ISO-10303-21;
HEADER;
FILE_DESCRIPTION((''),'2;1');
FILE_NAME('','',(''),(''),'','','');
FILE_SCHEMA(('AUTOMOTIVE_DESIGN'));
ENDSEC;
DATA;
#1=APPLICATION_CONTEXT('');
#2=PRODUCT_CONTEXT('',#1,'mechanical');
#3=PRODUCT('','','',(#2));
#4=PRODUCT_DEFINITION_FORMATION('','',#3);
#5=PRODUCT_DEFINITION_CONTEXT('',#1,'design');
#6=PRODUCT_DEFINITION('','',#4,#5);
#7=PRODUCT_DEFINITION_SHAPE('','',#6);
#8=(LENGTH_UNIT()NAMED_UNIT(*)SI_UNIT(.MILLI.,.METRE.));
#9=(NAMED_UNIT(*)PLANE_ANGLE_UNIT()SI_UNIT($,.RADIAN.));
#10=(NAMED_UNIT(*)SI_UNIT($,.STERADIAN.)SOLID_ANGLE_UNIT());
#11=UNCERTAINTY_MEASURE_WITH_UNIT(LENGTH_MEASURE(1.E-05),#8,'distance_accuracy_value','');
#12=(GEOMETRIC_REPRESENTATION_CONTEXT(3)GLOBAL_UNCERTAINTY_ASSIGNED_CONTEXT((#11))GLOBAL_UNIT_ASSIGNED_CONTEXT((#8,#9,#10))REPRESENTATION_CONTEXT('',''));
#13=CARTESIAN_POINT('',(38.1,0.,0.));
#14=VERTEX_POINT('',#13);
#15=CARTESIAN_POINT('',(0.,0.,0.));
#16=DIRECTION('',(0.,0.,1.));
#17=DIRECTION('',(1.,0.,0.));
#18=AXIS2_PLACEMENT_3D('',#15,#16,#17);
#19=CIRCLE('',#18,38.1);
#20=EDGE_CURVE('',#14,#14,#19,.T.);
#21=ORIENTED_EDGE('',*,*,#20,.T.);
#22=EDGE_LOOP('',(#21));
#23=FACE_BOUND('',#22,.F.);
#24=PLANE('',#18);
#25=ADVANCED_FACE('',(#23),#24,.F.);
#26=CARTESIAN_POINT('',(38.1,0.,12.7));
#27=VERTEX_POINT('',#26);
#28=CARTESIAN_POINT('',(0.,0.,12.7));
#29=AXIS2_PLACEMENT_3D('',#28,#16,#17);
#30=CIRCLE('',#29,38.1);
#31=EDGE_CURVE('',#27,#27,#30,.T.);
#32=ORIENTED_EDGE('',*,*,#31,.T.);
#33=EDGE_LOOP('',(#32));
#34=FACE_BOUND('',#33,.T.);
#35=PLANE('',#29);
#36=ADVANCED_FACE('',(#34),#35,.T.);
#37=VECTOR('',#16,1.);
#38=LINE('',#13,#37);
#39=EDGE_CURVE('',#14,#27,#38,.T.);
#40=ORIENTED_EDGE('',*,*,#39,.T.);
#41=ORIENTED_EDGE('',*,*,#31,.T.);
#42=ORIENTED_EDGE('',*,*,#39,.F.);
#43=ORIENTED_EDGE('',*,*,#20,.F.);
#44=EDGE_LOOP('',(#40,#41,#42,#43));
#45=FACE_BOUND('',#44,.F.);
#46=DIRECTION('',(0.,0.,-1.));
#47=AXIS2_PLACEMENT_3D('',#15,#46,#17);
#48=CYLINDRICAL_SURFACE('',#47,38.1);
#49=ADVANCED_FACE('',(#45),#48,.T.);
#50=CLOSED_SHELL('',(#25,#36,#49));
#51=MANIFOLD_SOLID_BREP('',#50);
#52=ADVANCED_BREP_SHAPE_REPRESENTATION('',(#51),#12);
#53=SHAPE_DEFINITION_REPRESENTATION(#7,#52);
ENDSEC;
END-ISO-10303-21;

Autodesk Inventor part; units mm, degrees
ref_plane "YZ Plane" through (0, 0, 0) normal (1, 0, 0) x (0, 1, 0)
ref_plane "XZ Plane" through (0, 0, 0) normal (0, 1, 0) x (-1, 0, 0)
ref_plane "XY Plane" through (0, 0, 0) normal (0, 0, 1) x (1, 0, 0)
ref_plane "Work Plane1" through (0, 0, 0) normal (0, 0, 1) x (1, 0, 0)
sketch "Sketch1" plane through (0, 0, 0) normal (0, 0, 1) x (1, 0, 0)
  circle A0 centre (0, 0) radius 38.1
  dimension "d0" = 76.2
extrude "Extrusion1" add sketch "Sketch1" along normal blind 12.7
properties part number "Gear"
